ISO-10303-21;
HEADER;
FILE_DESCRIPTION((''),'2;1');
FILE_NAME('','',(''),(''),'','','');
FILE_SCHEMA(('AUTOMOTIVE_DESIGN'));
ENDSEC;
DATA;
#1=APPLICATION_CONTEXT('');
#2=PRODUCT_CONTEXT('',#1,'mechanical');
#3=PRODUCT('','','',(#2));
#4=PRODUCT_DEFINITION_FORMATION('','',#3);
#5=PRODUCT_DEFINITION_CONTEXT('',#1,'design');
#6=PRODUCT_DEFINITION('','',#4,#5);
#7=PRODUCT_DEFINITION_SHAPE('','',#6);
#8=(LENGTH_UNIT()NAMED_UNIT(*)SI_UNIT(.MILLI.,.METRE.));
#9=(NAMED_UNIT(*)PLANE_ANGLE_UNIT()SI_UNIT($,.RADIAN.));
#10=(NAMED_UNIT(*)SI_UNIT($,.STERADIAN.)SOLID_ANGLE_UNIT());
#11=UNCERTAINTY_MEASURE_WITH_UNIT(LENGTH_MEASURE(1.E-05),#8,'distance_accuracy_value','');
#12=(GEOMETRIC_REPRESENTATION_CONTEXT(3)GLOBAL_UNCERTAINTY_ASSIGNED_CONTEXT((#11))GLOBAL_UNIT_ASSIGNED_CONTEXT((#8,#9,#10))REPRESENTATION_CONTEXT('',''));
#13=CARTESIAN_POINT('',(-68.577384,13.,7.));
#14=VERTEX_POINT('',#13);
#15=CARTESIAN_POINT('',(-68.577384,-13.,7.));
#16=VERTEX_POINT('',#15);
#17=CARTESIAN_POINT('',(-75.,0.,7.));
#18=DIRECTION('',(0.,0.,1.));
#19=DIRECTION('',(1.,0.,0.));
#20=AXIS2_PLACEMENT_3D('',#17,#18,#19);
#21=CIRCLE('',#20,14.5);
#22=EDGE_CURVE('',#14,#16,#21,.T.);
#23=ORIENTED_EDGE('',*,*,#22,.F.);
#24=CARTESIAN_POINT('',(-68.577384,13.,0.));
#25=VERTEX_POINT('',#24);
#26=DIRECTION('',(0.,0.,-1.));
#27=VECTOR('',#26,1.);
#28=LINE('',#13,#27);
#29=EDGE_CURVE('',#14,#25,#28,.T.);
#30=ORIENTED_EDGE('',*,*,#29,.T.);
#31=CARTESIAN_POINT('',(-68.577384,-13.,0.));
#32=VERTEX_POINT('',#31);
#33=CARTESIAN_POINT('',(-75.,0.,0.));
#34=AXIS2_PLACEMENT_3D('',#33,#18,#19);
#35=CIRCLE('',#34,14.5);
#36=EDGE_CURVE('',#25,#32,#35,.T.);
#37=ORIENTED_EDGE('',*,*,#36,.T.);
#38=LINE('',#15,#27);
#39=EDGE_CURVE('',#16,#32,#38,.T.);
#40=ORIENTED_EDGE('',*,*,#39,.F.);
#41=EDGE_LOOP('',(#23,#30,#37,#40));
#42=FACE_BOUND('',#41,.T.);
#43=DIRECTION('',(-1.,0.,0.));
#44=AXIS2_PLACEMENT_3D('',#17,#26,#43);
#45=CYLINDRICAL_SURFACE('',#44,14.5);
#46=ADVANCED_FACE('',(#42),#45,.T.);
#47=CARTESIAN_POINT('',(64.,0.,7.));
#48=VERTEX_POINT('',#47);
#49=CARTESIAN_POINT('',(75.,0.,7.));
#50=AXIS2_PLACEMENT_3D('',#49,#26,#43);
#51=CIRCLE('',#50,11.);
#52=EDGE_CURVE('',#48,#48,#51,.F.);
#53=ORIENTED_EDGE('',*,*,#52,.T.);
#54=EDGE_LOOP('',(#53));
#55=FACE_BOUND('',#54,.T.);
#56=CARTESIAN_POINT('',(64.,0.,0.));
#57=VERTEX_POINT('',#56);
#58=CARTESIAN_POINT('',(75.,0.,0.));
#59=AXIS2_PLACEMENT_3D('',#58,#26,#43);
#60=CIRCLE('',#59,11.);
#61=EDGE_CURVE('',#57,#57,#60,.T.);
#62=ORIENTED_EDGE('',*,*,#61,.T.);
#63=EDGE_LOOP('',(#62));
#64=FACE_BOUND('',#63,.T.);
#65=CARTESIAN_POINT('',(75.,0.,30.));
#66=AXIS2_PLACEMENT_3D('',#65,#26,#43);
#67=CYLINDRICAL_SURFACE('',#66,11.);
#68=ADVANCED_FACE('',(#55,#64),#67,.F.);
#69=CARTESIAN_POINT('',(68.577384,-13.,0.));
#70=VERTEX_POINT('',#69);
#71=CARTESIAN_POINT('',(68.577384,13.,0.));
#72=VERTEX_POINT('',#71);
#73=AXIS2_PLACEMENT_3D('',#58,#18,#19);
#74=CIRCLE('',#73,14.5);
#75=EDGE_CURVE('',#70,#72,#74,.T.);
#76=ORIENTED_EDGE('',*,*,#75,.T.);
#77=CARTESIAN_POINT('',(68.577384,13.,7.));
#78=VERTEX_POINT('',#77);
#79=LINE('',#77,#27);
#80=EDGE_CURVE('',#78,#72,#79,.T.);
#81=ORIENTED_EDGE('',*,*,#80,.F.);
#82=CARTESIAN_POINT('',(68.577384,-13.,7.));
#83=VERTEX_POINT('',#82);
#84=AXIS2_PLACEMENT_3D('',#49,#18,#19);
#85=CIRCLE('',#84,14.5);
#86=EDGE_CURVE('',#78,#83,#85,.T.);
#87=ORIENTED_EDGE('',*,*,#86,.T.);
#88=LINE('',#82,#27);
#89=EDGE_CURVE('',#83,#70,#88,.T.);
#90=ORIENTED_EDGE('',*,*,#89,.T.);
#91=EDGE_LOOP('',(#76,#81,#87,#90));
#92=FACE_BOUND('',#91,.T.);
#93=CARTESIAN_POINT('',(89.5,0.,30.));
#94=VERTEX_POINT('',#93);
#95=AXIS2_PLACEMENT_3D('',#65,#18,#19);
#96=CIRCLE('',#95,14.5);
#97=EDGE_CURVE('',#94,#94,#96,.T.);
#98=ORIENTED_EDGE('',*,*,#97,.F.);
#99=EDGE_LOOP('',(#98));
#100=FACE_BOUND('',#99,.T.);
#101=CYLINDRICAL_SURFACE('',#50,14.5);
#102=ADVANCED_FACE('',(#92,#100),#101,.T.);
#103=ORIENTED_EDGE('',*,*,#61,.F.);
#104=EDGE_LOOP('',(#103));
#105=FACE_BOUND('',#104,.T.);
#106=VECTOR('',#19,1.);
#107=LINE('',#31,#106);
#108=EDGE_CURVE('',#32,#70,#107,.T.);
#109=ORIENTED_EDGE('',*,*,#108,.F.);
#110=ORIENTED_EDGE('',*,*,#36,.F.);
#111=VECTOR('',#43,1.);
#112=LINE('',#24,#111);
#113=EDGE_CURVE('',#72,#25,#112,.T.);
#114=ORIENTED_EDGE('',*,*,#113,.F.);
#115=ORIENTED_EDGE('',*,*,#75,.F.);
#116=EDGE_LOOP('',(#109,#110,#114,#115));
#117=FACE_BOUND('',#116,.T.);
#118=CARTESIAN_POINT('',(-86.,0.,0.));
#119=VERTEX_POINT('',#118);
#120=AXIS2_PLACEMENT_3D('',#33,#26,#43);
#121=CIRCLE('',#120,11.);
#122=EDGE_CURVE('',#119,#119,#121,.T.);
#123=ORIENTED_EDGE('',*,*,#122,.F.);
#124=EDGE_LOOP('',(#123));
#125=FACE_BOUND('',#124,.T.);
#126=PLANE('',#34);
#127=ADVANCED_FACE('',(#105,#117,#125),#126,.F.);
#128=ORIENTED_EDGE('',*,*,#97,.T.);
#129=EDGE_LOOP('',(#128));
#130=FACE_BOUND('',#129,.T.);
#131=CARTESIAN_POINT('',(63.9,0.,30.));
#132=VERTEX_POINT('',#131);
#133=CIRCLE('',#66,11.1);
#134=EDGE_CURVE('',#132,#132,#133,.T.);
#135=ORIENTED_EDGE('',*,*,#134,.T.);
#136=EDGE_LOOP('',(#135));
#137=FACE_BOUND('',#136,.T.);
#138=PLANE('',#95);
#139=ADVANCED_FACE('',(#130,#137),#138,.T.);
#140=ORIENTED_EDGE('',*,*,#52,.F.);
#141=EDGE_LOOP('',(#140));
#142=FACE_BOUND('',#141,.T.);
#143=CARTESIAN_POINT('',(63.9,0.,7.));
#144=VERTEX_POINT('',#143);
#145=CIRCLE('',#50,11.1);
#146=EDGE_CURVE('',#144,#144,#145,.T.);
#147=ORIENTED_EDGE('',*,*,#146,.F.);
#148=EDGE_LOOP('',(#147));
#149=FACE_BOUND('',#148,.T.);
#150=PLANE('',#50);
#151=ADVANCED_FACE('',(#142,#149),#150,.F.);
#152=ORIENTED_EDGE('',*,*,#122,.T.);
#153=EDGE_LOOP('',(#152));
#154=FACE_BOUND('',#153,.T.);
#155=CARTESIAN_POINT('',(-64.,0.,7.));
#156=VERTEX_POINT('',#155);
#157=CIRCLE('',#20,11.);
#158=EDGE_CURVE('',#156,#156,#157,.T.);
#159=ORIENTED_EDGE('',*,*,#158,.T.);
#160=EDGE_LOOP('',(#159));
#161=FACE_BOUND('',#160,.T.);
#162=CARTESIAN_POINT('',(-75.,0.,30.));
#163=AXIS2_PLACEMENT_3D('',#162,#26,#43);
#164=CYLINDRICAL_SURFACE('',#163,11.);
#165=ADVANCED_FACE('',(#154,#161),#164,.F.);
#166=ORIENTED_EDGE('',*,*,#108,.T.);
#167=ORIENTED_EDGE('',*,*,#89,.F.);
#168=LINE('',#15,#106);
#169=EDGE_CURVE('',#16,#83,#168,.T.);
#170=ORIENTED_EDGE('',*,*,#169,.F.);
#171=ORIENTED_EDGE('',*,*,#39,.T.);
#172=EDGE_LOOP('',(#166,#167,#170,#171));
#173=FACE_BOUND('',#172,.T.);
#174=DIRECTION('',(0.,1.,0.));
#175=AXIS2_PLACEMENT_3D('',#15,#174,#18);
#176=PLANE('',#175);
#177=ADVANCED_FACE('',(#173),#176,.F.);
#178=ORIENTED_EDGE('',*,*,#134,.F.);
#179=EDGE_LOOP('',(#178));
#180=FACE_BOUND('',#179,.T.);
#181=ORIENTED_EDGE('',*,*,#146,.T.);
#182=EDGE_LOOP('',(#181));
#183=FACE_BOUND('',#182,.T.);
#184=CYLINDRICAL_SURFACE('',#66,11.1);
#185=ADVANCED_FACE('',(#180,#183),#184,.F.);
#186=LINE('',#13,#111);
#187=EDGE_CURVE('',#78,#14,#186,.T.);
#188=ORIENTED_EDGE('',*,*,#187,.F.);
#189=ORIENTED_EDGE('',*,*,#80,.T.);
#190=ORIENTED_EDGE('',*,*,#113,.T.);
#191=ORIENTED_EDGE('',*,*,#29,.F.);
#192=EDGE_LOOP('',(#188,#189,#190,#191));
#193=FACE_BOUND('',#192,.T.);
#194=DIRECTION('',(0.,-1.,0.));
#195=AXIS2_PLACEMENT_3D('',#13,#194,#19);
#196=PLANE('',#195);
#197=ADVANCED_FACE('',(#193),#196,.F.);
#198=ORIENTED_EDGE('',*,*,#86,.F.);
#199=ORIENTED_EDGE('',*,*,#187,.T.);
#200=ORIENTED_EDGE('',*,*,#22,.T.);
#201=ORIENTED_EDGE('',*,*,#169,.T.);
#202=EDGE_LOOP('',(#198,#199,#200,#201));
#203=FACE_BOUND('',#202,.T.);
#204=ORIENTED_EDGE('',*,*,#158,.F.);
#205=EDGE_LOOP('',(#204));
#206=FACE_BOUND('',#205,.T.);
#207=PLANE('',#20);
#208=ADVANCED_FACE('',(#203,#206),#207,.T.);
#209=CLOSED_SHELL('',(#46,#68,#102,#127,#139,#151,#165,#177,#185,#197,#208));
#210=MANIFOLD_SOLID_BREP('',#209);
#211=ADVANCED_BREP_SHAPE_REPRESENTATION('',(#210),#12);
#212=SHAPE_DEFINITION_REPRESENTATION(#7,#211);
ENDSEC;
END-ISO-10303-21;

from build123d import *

# Parameters (mm, degrees)
BOSS_EXTRUDE1_DEPTH = 7
SKETCH2_R           = 14.5
BOSS_EXTRUDE2_DEPTH = 23
SKETCH3_R           = 11
CUT_EXTRUDE1_DEPTH  = 96.501308892
CUT_EXTRUDE2_START  = -7
SKETCH4_R           = 11.1
CUT_EXTRUDE2_DEPTH  = 89.501308892


with BuildPart() as part:
    # Sketch1 → Boss-Extrude1 (new body)
    with BuildSketch(Plane.XY):
        with BuildLine():
            Line((-68.577383711, 13), (68.577383711, 13))
            ThreePointArc((68.577383711, 13), (89.5, 0), (68.577383711, -13))
            Line((68.577383711, -13), (-68.577383711, -13))
            ThreePointArc((-68.577383711, -13), (-89.5, 0), (-68.577383711, 13))
        make_face()
    extrude(amount=BOSS_EXTRUDE1_DEPTH)

    # Sketch2 → Boss-Extrude2 (add)
    with BuildSketch(Plane.XY.offset(7)):
        with Locations(Location((75, 0, 0), (0, 0, 116.291555275))):
            Circle(SKETCH2_R)
    extrude(amount=BOSS_EXTRUDE2_DEPTH)

    # Sketch3 → Cut-Extrude1 (cut, through all)
    with BuildSketch(Plane(origin=(0, 0, 0), x_dir=(-1, 0, 0), z_dir=(0, 0, -1))):
        with Locations((-75, 0)):
            Circle(SKETCH3_R)
        with Locations((75, 0)):
            Circle(SKETCH3_R)
    extrude(amount=-CUT_EXTRUDE1_DEPTH, mode=Mode.SUBTRACT)

    # Sketch4 → Cut-Extrude2 (cut, through all)
    with BuildSketch(Plane(origin=(0, 0, 0), x_dir=(-1, 0, 0), z_dir=(0, 0, -1)).offset(CUT_EXTRUDE2_START)):
        with Locations((-75, 0)):
            Circle(SKETCH4_R)
    extrude(amount=-CUT_EXTRUDE2_DEPTH, mode=Mode.SUBTRACT)


solid = part.part
